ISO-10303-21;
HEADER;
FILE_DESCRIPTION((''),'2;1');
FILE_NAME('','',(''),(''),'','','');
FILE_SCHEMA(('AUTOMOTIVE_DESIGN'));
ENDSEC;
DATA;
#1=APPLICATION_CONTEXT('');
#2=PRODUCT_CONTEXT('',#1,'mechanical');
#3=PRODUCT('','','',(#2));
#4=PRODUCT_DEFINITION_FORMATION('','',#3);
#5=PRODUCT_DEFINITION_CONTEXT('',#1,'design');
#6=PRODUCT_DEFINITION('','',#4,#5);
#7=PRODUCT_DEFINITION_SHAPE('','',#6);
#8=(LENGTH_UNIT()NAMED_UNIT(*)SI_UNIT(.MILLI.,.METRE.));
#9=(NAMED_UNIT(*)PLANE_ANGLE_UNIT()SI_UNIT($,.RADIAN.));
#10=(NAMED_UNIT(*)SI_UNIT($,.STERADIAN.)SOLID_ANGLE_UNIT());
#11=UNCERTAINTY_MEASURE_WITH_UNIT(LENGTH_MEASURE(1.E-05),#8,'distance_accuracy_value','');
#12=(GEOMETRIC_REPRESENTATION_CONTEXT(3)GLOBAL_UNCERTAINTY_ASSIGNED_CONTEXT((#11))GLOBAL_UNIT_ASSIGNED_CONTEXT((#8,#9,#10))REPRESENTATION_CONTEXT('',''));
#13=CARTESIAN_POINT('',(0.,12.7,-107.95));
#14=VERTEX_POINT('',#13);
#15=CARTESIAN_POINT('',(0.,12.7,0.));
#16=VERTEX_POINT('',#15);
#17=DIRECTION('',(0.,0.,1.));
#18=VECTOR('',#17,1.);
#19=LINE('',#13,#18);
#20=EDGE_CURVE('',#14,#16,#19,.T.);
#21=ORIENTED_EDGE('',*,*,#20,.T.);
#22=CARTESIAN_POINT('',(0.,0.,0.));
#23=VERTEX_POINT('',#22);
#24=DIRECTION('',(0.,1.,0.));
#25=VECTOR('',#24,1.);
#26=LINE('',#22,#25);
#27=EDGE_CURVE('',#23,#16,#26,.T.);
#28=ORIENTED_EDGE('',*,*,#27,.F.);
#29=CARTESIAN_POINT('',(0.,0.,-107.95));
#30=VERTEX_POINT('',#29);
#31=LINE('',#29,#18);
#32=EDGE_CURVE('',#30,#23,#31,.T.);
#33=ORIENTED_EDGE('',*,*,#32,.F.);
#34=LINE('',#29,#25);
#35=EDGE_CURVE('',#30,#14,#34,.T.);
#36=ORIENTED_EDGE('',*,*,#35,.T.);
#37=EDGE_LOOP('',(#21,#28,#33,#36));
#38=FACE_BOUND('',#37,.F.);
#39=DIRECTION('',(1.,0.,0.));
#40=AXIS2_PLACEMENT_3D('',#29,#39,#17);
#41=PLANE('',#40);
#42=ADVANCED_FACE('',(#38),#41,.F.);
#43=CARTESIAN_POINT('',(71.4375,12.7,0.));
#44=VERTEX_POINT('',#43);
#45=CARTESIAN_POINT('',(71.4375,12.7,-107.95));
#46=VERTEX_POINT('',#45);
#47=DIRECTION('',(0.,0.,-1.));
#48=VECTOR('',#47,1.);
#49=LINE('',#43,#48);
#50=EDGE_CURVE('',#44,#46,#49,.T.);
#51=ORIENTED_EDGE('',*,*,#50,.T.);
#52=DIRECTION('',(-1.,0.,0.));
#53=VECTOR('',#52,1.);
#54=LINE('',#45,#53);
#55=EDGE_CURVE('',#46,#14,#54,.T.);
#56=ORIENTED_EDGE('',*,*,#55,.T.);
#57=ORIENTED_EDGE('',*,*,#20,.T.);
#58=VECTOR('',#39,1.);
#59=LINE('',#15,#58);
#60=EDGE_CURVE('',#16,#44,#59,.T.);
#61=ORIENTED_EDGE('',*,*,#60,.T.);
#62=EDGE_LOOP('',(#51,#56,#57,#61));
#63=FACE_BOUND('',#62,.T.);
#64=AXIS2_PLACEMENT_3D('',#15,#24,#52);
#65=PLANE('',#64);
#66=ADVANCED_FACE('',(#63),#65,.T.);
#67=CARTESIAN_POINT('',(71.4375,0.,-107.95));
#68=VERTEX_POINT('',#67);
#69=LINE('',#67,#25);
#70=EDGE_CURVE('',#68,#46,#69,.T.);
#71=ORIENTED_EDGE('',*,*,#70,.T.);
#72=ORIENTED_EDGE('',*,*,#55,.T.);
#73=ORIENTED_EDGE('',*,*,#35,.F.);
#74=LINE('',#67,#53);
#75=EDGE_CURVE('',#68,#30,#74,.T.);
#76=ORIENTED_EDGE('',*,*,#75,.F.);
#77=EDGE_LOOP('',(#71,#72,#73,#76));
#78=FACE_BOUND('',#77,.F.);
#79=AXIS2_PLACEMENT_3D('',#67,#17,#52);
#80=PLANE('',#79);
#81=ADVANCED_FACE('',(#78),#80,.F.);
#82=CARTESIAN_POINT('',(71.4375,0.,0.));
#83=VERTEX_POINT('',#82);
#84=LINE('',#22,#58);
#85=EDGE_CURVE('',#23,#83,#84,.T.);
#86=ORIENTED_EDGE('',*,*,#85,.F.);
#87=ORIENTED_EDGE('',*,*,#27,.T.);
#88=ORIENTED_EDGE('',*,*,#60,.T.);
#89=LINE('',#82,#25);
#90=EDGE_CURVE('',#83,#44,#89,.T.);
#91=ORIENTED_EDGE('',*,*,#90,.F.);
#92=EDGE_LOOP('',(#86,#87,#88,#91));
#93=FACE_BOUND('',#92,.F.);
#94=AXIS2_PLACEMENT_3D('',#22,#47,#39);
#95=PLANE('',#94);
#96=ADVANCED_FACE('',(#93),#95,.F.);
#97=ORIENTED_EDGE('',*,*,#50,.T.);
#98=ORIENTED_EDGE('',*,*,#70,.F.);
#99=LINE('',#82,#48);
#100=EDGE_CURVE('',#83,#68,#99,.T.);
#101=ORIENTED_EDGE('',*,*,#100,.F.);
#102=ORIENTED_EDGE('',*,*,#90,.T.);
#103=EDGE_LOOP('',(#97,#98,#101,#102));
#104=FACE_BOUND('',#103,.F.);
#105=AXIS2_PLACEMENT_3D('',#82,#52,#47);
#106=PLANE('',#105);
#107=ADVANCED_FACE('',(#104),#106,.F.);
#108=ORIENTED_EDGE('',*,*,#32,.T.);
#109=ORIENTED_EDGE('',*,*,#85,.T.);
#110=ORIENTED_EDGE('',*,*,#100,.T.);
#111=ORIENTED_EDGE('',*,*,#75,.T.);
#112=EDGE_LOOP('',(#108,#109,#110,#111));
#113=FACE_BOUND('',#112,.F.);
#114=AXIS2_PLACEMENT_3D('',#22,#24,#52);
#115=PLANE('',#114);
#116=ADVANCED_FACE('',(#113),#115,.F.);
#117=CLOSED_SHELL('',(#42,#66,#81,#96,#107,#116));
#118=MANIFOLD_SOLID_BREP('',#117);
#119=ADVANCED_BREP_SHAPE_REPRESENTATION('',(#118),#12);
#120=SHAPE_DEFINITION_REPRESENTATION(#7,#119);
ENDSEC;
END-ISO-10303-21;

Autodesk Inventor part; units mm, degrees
ref_plane "YZ Plane" through (0, 0, 0) normal (1, 0, 0) x (0, 1, 0)
ref_plane "XZ Plane" through (0, 0, 0) normal (0, 1, 0) x (-1, 0, 0)
ref_plane "XY Plane" through (0, 0, 0) normal (0, 0, 1) x (1, 0, 0)
sketch "Sketch1" plane through (0, 0, 0) normal (0, 1, 0) x (-1, 0, 0)
  line L0 (0, 0) -> (-71.4375, 0)
  line L1 (-71.4375, 0) -> (-71.4375, -107.95)
  line L2 (-71.4375, -107.95) -> (0, -107.95)
  line L3 (0, -107.95) -> (0, 0)
  dimension "d0" = 71.4375
  dimension "d1" = 107.95
extrude "Extrusion1" add sketch "Sketch1" along normal blind 12.7
properties part number "Dlinkholdersubstitute"
